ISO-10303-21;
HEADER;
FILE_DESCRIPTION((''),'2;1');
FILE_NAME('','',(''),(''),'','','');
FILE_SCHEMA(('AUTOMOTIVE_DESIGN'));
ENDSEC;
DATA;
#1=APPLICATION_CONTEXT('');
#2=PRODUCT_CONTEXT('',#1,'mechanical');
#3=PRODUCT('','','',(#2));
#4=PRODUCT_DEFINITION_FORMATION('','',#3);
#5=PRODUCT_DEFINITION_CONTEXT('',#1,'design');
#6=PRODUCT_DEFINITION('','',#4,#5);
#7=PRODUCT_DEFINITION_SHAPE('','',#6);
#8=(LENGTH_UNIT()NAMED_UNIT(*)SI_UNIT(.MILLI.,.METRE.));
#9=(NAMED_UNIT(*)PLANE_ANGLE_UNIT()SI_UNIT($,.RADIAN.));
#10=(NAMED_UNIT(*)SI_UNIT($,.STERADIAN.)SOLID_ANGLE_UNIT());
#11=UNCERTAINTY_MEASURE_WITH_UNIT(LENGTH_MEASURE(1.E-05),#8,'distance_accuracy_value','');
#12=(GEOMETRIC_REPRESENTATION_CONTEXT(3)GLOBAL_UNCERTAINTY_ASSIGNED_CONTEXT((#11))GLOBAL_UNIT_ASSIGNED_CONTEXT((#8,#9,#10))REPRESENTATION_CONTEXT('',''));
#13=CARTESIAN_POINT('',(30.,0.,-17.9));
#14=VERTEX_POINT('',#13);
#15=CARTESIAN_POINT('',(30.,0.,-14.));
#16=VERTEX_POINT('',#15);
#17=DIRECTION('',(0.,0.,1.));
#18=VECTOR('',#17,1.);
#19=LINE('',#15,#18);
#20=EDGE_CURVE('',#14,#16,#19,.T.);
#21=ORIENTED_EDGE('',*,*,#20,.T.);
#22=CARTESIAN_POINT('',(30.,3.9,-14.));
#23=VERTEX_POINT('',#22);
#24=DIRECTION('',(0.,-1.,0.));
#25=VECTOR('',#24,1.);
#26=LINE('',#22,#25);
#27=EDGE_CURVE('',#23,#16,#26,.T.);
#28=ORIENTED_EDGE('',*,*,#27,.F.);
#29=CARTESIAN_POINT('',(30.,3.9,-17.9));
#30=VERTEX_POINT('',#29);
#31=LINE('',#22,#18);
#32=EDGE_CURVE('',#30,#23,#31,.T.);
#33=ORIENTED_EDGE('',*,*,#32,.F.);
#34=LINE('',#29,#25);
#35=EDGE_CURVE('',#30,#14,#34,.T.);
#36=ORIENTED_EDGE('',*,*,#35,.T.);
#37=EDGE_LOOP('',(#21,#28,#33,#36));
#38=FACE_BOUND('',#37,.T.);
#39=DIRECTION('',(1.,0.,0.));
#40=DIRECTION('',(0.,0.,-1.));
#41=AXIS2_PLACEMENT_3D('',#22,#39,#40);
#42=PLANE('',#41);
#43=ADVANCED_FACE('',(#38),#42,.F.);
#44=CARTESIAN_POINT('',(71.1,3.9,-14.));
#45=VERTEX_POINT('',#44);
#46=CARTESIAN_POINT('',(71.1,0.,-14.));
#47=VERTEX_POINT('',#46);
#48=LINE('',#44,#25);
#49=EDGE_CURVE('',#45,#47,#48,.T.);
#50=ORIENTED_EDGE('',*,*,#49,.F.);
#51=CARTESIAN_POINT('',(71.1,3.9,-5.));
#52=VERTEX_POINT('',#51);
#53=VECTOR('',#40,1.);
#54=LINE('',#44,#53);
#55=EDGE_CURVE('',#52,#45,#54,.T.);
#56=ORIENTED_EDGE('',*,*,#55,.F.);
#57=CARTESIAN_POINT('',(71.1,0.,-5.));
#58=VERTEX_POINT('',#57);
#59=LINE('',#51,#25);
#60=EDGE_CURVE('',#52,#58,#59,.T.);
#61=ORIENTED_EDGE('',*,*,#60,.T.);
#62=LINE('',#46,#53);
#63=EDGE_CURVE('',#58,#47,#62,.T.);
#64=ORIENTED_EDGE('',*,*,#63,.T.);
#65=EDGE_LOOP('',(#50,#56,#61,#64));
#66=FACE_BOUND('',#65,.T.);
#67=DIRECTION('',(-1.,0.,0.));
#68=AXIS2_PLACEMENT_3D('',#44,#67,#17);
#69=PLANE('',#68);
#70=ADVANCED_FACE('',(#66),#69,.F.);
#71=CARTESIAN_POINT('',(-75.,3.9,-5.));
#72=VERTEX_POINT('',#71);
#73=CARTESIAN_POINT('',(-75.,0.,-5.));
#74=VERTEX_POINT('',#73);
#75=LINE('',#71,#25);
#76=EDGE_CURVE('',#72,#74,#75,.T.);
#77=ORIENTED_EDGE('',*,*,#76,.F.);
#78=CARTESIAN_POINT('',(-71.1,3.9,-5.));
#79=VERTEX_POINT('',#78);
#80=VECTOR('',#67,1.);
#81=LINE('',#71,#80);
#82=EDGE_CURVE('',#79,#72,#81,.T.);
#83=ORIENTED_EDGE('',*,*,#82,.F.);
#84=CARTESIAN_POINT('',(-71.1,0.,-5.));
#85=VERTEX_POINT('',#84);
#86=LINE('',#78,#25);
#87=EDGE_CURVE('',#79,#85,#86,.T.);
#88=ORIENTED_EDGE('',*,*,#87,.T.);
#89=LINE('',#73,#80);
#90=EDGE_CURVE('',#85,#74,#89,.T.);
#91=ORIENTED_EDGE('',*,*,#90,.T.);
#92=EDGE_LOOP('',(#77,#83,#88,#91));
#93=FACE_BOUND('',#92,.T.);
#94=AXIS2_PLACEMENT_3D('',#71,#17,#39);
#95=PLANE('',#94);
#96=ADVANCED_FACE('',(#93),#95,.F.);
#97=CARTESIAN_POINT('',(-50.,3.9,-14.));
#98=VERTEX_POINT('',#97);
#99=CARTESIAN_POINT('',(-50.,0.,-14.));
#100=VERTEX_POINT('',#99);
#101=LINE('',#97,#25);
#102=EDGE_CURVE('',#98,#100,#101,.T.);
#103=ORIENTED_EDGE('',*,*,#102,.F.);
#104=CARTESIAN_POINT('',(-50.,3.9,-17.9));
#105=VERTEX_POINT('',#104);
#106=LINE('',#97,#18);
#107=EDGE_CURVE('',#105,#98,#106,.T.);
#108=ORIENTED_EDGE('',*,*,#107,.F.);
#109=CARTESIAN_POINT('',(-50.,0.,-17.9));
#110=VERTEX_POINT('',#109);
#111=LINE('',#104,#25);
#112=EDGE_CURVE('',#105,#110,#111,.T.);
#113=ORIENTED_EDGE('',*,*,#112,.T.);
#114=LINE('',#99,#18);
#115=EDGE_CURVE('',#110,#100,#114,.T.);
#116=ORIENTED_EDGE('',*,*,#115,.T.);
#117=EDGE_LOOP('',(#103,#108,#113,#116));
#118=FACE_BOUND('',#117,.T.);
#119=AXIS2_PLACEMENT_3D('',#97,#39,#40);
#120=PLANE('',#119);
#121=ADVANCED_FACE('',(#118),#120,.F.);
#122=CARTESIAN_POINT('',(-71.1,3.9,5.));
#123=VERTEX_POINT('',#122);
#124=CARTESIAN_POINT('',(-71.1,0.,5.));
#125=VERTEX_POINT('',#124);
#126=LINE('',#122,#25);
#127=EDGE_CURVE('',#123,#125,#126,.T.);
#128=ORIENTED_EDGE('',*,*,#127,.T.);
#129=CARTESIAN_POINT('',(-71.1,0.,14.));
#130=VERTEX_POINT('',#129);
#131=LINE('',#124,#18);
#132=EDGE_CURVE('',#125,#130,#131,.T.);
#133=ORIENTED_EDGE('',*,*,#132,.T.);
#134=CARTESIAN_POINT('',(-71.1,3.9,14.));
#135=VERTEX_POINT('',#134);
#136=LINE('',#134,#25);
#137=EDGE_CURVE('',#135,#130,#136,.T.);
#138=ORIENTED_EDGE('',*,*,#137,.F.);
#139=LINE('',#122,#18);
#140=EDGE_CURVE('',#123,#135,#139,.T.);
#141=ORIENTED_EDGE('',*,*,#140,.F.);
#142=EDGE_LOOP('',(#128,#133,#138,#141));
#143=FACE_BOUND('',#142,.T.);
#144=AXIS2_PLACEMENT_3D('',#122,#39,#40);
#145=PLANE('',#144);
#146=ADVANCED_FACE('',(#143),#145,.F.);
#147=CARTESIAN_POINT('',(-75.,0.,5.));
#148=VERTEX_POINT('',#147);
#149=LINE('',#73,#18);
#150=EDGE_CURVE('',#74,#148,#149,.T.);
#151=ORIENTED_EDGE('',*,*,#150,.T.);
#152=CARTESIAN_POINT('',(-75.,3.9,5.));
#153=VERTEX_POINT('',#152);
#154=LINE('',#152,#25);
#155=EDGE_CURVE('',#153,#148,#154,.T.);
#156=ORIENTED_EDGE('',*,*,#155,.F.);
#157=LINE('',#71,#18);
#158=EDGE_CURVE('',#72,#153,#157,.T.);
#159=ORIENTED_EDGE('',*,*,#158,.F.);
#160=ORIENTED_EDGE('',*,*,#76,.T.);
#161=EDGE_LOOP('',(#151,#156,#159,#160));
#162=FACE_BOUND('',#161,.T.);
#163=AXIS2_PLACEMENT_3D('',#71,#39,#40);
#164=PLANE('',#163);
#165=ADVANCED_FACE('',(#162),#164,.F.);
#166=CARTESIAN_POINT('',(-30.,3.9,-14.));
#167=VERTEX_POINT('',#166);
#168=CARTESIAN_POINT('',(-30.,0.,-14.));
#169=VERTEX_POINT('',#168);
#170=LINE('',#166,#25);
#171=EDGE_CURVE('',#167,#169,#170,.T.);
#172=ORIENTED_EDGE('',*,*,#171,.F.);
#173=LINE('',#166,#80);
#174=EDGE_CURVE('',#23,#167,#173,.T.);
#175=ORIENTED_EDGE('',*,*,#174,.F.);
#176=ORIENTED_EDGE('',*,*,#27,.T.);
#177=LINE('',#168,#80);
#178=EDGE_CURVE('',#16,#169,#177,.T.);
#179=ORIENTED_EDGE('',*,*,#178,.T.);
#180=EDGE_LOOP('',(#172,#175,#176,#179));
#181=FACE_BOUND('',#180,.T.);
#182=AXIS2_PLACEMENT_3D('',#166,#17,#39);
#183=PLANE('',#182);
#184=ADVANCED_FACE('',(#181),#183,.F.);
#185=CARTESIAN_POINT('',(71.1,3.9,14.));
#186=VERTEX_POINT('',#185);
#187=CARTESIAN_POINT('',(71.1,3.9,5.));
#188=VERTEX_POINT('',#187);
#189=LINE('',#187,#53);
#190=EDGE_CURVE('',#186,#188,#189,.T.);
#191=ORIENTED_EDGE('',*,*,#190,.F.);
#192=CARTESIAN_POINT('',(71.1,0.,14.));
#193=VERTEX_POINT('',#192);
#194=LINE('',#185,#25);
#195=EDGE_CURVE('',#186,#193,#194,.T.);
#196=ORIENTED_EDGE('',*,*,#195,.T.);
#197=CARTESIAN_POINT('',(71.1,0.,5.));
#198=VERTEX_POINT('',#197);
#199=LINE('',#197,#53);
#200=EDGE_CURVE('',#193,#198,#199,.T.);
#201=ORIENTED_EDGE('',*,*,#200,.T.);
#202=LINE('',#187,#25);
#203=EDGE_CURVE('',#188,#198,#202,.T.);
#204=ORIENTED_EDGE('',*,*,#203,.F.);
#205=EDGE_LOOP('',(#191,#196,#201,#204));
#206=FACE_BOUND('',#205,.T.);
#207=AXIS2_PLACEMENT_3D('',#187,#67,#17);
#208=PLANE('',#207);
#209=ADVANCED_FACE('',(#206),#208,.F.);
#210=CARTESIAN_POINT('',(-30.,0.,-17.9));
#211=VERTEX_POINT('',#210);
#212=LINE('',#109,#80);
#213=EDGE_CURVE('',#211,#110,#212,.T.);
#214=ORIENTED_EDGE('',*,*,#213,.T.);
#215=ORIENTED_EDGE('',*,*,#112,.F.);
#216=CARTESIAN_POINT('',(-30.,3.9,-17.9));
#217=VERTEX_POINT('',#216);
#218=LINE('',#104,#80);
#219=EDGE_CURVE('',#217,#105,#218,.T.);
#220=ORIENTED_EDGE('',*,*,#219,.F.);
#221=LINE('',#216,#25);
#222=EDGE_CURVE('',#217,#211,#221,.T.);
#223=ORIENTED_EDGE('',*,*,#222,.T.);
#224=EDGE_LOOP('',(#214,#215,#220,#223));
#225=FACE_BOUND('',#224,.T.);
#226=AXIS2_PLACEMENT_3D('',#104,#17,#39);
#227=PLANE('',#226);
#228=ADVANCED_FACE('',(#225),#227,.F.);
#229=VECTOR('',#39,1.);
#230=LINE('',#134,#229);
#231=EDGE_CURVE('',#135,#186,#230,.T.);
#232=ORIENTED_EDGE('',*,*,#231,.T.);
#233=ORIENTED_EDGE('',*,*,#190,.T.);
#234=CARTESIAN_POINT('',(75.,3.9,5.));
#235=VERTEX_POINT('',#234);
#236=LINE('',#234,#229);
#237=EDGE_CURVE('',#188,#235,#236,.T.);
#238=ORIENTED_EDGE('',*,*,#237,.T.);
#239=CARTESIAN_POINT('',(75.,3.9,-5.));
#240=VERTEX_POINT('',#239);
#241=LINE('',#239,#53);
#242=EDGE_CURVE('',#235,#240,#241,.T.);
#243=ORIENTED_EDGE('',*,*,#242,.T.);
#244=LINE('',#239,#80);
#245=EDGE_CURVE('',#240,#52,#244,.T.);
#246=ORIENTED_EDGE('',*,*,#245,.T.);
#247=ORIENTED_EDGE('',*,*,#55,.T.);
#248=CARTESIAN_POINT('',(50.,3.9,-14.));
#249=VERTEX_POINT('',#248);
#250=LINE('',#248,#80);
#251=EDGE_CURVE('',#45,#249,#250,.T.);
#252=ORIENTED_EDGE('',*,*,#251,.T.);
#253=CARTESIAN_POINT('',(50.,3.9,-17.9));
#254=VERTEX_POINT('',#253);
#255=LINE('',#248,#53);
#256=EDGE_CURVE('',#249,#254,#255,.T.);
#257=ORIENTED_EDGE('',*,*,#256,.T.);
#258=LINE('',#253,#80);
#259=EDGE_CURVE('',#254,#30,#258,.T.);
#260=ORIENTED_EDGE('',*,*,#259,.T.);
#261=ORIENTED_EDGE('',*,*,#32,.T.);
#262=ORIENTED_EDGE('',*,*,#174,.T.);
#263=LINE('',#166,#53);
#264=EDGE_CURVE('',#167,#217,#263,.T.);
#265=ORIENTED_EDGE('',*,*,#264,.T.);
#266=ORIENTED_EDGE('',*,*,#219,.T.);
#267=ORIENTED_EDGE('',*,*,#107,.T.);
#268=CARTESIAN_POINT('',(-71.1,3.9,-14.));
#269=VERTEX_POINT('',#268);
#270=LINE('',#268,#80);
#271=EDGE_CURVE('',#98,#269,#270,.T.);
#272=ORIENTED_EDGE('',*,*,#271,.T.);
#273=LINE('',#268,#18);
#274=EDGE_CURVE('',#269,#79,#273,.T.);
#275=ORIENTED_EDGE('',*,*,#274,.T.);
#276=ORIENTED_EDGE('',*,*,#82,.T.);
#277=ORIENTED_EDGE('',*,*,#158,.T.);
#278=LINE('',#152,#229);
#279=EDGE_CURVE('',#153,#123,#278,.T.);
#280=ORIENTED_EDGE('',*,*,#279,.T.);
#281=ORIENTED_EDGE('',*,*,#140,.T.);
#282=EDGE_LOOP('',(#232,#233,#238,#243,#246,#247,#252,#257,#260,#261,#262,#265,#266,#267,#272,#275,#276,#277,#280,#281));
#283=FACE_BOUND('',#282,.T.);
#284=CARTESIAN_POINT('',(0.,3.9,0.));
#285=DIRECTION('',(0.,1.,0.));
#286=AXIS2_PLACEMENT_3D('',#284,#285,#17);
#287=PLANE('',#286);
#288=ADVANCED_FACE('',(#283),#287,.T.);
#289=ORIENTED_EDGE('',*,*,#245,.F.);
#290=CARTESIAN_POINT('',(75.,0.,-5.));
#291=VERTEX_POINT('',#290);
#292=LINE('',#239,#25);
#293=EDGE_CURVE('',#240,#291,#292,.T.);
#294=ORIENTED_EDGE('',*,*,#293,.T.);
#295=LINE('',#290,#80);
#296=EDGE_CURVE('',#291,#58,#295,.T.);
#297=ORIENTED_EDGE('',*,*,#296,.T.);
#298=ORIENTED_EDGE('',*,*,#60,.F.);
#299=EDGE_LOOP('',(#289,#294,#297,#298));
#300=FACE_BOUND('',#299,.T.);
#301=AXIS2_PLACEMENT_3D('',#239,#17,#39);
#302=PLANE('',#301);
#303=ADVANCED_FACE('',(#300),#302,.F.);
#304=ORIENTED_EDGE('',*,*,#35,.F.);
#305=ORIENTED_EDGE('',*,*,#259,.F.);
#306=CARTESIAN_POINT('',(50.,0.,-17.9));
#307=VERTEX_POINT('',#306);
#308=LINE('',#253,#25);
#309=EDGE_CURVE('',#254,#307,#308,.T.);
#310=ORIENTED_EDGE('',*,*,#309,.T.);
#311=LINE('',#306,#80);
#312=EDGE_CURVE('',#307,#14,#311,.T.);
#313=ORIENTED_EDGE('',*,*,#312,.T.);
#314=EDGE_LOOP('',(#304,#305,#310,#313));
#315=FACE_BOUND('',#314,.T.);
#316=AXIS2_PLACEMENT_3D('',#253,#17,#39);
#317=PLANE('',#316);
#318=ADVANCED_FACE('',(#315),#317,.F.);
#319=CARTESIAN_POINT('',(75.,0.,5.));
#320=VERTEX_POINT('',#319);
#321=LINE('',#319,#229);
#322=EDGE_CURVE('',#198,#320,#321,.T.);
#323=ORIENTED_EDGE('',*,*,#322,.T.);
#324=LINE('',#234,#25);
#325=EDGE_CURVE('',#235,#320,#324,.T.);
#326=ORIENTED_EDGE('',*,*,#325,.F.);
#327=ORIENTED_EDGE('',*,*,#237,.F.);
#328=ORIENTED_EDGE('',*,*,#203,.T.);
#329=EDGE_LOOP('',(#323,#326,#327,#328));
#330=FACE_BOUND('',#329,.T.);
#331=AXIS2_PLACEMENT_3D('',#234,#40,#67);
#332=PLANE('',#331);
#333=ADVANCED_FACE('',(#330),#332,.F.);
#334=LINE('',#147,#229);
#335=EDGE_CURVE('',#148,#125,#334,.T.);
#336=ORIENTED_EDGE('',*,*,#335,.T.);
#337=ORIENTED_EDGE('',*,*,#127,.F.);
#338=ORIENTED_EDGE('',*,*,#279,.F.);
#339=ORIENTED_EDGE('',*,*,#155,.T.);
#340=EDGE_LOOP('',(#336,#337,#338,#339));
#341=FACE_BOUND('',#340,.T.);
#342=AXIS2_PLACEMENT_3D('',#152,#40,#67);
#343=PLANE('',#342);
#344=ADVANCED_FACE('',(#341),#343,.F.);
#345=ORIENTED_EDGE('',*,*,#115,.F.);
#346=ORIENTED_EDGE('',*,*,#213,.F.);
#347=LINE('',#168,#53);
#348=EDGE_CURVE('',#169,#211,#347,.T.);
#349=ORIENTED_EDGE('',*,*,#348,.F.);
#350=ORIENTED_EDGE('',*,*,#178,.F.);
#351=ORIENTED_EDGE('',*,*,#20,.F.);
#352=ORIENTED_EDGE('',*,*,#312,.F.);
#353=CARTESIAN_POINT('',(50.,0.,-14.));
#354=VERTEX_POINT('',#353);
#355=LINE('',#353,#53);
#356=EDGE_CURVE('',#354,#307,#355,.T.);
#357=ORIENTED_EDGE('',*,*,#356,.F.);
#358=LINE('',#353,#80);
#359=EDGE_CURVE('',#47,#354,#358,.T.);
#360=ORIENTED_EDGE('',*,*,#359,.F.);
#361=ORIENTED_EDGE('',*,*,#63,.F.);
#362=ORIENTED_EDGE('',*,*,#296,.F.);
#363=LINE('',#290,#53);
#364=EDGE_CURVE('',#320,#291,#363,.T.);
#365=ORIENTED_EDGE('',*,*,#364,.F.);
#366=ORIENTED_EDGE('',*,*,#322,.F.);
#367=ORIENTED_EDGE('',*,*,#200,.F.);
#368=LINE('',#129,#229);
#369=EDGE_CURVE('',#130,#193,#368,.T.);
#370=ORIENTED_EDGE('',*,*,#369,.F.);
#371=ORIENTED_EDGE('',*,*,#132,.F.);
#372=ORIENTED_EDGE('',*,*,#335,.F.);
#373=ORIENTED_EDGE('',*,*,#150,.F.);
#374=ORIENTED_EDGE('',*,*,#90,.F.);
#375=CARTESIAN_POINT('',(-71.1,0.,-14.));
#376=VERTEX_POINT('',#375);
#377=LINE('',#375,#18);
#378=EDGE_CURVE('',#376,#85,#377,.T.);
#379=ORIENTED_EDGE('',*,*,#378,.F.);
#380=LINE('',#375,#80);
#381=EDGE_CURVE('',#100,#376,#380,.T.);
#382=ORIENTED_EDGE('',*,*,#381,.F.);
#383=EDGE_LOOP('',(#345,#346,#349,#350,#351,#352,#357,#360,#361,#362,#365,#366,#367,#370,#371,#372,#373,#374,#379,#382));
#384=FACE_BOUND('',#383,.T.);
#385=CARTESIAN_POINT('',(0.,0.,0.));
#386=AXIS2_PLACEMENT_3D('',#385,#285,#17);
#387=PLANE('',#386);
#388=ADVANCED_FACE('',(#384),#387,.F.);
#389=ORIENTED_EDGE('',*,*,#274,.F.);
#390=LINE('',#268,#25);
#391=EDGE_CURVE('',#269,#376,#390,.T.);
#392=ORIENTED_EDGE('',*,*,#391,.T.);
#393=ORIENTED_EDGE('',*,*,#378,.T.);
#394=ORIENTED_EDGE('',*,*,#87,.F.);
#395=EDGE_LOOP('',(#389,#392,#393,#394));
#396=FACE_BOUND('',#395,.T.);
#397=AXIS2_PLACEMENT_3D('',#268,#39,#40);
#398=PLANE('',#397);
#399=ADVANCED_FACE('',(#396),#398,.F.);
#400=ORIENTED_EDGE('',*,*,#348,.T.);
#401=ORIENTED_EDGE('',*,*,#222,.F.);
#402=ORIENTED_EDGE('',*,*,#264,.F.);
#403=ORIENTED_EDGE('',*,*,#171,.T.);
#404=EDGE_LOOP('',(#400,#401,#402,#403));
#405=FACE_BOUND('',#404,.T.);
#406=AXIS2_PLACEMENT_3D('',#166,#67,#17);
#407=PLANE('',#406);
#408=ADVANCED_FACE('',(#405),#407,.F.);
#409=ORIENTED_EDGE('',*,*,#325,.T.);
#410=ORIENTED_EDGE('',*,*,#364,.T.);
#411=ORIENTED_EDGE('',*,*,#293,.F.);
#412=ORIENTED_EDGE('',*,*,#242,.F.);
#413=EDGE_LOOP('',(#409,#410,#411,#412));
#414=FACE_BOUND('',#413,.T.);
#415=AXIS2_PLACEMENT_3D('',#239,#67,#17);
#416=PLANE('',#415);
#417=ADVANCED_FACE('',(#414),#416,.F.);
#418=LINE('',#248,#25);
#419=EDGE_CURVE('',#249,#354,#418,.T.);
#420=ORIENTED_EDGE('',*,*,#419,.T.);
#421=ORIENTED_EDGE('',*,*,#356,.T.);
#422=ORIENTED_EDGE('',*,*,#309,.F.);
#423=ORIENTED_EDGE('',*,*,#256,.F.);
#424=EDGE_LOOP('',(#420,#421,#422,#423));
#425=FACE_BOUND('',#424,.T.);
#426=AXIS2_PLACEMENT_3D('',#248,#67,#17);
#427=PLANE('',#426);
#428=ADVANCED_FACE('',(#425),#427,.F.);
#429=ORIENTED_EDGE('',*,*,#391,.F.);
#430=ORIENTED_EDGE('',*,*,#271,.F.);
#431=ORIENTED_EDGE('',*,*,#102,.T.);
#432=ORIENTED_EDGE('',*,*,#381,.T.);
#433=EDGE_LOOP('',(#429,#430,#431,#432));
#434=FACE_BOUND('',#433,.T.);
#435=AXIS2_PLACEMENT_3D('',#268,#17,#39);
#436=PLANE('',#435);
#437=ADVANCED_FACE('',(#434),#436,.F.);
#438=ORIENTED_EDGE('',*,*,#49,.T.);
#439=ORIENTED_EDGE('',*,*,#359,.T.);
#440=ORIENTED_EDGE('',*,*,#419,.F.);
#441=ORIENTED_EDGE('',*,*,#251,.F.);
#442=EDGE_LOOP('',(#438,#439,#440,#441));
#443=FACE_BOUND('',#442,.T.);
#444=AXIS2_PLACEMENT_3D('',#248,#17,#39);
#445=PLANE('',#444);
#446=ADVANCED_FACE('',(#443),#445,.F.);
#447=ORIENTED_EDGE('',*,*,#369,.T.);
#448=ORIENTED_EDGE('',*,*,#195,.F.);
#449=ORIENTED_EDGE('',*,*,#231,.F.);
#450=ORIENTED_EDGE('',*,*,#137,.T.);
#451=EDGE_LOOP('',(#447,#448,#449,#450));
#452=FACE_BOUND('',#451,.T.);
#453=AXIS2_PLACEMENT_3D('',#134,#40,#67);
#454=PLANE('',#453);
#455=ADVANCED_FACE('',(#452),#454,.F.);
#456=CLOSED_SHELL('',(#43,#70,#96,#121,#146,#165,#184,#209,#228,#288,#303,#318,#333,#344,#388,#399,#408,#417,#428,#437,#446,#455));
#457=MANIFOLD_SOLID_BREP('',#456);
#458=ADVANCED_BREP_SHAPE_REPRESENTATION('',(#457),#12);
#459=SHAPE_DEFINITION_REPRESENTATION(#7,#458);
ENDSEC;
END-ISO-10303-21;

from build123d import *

# Parameters (mm, degrees)
BOSS_EXTRUDE1_DEPTH = 3.9


with BuildPart() as part:
    # Sketch1 → Boss-Extrude1 (new body)
    with BuildSketch(Plane(origin=(0, 0, 0), x_dir=(1, 0, 0), z_dir=(0, 1, 0))):
        Polygon((-71.1, 14), (-50, 14), (-50, 17.9), (-30, 17.9), (-30, 14), (30, 14), (30, 17.9), (50, 17.9), (50, 14), (71.1, 14), (71.1, 5), (75, 5), (75, -5), (71.1, -5), (71.1, -14), (-71.1, -14), (-71.1, -5), (-75, -5), (-75, 5), (-71.1, 5), align=None)
    extrude(amount=BOSS_EXTRUDE1_DEPTH)


solid = part.part
